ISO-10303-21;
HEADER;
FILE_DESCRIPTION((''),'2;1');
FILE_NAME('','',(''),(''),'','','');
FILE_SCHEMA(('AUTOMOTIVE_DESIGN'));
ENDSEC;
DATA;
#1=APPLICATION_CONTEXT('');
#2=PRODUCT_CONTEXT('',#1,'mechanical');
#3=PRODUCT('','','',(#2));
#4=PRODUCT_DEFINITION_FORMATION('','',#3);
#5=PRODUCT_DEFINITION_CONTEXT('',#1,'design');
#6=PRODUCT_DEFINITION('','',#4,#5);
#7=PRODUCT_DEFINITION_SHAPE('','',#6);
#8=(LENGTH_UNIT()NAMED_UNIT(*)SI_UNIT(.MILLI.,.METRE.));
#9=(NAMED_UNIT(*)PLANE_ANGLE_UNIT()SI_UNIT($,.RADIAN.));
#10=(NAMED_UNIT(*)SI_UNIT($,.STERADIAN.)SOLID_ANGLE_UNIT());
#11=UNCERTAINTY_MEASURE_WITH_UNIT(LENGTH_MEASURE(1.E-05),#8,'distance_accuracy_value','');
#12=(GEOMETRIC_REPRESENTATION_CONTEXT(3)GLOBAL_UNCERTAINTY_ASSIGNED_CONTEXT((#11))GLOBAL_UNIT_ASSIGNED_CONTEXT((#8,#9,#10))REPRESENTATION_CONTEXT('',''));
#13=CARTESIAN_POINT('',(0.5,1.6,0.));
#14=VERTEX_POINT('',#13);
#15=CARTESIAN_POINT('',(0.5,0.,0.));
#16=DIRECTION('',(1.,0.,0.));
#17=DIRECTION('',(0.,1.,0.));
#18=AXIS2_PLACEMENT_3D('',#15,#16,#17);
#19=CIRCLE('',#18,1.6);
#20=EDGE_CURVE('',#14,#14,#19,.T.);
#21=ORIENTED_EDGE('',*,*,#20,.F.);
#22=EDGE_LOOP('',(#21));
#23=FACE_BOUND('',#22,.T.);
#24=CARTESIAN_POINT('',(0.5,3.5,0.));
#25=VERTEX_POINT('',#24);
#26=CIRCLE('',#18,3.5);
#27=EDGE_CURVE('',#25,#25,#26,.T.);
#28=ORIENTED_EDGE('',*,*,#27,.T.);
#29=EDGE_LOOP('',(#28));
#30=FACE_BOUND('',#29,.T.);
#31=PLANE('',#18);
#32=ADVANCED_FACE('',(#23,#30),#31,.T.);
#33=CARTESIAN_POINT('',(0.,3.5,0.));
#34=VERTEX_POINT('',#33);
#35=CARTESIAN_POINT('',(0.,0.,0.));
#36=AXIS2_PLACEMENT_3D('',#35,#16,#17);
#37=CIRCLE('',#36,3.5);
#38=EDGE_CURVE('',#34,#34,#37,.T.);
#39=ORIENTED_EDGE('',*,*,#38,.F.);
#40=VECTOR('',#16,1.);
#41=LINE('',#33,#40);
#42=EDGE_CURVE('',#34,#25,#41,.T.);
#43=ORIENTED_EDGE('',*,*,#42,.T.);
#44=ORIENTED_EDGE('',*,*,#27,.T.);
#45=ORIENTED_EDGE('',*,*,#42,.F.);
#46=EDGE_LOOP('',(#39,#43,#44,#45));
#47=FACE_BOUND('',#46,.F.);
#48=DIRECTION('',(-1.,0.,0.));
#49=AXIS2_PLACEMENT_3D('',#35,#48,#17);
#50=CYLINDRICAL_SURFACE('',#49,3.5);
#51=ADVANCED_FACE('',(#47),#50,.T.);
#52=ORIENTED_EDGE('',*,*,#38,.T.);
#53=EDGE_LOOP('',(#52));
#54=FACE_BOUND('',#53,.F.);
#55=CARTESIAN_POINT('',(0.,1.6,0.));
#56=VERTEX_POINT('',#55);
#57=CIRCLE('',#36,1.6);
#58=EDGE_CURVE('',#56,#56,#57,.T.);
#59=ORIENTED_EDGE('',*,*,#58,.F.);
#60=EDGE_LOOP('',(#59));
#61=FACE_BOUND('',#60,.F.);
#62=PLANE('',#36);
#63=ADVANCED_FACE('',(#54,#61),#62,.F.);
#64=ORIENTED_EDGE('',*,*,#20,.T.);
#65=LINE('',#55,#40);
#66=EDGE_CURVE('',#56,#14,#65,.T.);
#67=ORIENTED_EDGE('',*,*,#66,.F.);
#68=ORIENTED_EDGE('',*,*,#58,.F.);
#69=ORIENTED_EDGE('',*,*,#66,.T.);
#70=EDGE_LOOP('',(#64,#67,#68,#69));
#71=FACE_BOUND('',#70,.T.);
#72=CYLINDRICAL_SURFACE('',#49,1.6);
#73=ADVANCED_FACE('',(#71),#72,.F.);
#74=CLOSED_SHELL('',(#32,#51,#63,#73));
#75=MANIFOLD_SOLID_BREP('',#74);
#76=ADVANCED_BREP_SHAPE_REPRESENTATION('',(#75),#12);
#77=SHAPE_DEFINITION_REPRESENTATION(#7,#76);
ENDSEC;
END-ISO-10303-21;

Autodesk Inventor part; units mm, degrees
ref_plane "YZ Plane" through (0, 0, 0) normal (1, 0, 0) x (0, 1, 0)
ref_plane "XZ Plane" through (0, 0, 0) normal (0, 1, 0) x (-1, 0, 0)
sketch "Эскиз" plane through (0, 0, 0) normal (1, 0, 0) x (0, 1, 0)
  circle A0 centre (0, 0) radius 3.5
  circle A1 centre (0, 0) radius 1.6
  dimension "d0" = 3.2
  dimension "d1" = 7
extrude "Базовый элемент" add sketch "Эскиз" along normal blind 0.5
ref_plane "Work Plane1" through (0, 0, 0) normal (0, 0, 1) x (1, 0, 0)
equation "\"d0\" = SD1"
equation "\"d1\" = SD2"
equation "\"d2\" = SD"
equation "\"SD1\" = 3.2"
equation "\"SD2\" = 7"
equation "\"SD\" = 0.5"
equation "\"NND\" = 3"
properties part number "AS 1237 - 3 mm" material "Алюминий 6061"
